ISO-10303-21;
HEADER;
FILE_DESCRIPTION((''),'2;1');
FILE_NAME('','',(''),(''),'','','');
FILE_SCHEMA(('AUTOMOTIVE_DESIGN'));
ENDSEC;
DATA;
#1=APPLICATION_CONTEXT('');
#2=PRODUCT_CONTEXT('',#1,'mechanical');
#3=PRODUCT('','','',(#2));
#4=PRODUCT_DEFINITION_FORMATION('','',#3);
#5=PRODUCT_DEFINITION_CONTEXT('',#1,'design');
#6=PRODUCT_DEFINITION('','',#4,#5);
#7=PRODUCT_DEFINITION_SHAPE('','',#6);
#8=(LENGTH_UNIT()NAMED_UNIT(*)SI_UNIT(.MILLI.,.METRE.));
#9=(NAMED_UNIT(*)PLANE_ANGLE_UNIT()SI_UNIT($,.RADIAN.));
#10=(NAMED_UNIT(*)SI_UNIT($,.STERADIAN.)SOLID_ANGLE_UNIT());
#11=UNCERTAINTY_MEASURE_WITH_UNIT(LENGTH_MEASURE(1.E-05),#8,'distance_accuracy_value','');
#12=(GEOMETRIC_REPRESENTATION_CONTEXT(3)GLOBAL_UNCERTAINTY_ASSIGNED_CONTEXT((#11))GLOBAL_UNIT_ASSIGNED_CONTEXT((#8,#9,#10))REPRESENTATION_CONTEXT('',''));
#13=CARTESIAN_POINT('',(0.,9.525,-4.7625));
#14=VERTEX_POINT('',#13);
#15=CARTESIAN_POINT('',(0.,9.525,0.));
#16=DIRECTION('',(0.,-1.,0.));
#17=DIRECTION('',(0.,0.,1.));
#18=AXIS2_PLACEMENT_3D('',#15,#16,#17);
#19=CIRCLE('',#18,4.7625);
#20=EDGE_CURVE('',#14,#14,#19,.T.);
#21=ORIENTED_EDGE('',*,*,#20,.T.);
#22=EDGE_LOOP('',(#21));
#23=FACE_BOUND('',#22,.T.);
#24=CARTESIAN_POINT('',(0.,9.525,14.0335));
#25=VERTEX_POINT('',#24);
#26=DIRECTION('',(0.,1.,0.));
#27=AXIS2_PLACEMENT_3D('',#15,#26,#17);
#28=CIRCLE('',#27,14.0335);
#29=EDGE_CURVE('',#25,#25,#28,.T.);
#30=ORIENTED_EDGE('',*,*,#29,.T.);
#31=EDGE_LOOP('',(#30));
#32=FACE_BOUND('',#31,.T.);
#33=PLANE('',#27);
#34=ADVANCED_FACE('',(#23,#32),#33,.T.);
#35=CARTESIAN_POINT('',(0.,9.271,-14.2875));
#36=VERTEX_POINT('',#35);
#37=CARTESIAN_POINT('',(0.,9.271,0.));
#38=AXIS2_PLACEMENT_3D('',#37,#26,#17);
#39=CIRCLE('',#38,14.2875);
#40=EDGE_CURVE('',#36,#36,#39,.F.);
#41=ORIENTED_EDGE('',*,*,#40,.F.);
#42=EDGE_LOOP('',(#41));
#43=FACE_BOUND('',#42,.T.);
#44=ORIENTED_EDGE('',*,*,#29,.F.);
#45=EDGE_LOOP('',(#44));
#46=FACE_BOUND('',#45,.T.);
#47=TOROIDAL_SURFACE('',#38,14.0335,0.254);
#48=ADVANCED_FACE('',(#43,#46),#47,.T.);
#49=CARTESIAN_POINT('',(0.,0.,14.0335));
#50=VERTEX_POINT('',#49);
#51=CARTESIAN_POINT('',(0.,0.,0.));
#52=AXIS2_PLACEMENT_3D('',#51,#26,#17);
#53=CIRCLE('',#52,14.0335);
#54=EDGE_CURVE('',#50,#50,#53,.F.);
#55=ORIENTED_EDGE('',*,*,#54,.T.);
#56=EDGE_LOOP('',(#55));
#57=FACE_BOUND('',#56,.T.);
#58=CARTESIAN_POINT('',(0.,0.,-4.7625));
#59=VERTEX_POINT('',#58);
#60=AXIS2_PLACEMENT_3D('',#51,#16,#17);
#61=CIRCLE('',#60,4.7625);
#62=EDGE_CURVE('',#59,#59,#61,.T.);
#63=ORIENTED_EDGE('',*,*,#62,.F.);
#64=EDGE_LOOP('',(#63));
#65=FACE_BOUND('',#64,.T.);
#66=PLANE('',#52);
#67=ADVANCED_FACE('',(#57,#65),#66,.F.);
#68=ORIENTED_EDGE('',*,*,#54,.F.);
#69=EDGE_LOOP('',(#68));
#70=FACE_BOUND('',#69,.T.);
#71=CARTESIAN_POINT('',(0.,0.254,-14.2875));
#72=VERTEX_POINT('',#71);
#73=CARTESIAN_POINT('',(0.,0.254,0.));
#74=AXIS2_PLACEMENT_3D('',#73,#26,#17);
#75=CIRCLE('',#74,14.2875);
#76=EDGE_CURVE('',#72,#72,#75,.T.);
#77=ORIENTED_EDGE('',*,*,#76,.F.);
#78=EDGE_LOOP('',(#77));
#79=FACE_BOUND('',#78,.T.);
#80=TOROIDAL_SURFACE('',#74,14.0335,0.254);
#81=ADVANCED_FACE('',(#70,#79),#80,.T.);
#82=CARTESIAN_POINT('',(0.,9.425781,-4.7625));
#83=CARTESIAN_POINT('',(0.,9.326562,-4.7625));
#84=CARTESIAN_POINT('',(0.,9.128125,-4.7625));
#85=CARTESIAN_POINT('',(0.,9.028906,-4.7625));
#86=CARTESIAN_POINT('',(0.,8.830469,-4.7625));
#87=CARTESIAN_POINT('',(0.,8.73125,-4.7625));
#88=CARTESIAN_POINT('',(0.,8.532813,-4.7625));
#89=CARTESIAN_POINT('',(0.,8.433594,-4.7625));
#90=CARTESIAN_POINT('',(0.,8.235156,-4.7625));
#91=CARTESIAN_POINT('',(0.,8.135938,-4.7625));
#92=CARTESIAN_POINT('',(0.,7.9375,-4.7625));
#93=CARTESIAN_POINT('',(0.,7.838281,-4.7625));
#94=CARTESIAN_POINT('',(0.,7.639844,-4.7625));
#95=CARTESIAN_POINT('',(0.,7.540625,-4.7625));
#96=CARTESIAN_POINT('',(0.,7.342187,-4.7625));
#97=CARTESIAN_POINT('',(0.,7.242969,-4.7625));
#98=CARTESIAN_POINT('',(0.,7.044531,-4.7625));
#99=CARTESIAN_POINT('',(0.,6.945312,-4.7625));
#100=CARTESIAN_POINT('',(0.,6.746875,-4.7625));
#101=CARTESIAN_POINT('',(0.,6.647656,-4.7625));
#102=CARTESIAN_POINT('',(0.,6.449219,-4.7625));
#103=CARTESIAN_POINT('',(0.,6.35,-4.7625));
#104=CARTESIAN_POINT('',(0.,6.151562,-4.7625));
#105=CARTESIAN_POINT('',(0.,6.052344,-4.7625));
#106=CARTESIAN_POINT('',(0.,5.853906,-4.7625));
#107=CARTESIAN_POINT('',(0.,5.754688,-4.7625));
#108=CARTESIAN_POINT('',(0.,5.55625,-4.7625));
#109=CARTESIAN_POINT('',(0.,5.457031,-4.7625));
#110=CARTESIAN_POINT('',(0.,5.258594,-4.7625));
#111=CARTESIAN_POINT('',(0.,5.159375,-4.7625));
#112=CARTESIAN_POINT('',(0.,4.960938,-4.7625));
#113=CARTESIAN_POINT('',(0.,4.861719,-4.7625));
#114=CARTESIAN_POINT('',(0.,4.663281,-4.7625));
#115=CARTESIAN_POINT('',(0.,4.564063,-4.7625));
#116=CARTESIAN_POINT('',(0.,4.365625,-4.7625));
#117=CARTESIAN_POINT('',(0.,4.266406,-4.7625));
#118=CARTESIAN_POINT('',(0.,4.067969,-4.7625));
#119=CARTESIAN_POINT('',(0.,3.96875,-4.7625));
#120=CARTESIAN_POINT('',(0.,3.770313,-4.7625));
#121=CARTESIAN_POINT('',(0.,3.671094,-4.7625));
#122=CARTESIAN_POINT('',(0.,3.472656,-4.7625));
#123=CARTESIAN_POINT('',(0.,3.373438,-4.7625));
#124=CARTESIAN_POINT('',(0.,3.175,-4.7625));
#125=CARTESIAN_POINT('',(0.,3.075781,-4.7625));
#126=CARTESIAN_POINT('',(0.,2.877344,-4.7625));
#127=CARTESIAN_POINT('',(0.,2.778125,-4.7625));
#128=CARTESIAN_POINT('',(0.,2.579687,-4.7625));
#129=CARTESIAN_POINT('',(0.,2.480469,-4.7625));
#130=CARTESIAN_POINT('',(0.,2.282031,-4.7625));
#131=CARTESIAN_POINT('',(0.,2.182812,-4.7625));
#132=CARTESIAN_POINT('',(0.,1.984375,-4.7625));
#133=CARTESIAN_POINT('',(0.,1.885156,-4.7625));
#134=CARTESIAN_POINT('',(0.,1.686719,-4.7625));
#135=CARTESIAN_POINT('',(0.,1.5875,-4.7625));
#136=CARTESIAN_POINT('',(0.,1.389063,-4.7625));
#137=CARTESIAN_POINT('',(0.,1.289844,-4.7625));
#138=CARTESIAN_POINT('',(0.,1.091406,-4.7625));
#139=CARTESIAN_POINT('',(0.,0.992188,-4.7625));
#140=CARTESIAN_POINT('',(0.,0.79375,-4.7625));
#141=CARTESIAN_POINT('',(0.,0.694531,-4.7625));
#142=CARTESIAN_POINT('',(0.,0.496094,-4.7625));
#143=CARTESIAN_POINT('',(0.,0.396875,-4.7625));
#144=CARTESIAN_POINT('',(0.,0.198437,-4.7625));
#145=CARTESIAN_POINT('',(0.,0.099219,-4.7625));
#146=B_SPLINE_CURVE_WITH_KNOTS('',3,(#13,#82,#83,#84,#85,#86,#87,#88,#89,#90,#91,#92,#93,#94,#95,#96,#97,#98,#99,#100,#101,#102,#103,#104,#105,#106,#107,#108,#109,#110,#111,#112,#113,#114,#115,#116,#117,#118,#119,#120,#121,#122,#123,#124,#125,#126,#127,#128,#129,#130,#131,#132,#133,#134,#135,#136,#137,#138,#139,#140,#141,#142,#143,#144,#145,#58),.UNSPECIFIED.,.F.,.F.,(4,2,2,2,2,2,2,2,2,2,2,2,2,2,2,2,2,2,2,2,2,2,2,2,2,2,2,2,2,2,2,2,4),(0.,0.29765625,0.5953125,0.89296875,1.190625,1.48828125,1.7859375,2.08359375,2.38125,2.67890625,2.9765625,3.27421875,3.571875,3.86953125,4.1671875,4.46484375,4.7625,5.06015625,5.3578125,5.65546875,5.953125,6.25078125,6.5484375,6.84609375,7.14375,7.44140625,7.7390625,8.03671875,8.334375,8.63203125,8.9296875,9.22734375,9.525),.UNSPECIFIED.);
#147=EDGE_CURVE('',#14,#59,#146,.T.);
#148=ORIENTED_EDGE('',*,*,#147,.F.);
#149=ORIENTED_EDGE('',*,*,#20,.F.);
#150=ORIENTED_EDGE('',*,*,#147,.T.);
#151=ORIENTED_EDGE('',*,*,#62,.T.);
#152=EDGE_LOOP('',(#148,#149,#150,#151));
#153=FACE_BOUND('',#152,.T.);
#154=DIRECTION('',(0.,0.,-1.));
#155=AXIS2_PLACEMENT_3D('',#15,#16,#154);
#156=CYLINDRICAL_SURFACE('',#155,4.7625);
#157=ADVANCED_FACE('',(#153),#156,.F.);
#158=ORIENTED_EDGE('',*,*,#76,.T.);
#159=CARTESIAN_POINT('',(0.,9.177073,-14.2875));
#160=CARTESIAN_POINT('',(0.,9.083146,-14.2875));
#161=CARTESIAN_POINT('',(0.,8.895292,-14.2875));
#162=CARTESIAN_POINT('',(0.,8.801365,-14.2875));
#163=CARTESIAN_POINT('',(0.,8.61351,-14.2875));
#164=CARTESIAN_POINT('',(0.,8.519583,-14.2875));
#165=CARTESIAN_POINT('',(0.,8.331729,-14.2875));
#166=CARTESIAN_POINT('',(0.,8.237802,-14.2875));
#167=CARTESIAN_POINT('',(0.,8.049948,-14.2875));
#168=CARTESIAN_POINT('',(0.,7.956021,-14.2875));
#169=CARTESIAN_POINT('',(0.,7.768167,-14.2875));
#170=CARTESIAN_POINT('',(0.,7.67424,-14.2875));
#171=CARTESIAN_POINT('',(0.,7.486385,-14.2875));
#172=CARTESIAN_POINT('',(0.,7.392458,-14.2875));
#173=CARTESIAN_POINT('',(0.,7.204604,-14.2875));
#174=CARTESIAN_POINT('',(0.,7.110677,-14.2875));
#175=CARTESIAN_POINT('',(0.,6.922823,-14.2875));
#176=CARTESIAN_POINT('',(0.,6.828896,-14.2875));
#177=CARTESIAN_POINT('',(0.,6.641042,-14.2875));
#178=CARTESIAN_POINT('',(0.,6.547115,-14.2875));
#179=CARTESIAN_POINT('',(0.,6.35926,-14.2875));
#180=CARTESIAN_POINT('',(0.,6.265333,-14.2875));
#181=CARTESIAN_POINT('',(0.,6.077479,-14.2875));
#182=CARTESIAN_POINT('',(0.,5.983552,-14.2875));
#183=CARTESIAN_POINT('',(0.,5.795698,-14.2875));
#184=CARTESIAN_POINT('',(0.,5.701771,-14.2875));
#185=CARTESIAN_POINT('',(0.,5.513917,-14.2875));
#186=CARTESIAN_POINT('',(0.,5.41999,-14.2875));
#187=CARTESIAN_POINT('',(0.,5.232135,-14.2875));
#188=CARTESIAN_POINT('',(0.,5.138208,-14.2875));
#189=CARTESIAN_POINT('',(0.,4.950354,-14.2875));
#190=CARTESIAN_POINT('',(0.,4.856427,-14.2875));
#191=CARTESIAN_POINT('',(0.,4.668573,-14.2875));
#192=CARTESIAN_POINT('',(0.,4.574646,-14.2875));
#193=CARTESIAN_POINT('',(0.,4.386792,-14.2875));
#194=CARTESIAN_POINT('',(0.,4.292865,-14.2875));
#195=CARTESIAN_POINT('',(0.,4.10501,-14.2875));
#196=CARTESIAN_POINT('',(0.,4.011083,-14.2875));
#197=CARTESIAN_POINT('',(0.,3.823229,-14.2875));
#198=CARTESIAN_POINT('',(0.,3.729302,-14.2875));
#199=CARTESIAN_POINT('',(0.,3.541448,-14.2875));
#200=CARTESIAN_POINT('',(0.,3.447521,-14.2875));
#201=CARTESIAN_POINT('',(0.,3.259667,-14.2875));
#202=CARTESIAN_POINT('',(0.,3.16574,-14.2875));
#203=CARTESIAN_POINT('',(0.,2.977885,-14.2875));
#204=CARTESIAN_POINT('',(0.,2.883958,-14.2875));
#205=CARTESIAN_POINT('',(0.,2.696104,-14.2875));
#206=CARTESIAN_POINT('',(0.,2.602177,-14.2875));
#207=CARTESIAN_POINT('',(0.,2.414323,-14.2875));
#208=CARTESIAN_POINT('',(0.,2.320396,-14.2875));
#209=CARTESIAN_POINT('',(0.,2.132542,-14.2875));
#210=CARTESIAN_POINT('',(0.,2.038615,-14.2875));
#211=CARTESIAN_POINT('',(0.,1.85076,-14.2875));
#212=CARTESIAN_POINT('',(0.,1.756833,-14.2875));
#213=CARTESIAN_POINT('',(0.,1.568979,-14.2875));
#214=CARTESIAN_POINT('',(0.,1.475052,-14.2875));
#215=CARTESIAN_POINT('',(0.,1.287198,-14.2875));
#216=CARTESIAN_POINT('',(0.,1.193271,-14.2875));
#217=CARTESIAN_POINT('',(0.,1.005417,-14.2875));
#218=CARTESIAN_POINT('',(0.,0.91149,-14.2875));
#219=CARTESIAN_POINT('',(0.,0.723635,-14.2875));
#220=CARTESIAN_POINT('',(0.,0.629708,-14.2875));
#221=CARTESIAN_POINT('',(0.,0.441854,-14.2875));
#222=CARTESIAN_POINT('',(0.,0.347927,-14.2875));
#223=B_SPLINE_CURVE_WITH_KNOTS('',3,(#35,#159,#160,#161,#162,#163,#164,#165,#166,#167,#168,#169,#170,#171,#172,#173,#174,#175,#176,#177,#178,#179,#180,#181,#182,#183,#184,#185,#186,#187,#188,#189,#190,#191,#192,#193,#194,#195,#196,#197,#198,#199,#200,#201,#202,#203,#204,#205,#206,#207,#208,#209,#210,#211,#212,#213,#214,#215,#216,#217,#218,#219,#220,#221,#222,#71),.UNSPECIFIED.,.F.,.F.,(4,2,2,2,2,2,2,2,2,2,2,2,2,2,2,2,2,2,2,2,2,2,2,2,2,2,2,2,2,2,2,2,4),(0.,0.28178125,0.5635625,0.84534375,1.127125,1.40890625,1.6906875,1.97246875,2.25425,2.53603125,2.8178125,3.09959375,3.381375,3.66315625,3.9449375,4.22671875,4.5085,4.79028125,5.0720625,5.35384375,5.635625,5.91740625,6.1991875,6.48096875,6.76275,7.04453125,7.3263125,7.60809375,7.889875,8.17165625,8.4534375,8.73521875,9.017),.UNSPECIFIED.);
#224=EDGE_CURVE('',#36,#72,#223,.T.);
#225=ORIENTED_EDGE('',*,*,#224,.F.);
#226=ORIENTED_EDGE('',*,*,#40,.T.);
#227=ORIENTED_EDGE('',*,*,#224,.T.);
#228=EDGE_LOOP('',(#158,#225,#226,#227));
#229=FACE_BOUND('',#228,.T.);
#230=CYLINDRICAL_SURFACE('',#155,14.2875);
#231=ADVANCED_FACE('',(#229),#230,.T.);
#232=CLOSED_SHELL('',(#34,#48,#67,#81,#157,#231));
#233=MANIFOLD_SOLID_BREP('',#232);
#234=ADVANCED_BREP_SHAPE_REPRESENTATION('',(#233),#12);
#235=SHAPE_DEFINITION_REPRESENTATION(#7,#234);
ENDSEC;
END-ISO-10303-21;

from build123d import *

# Parameters (mm, degrees)
SKETCH1_R           = 14.2875
SKETCH1_R_2         = 4.7625
BOSS_EXTRUDE1_DEPTH = 9.525
FILLET1_R           = 0.254


with BuildPart() as part:
    # Sketch1 → Boss-Extrude1 (new body)
    with BuildSketch(Plane.XZ):
        with Locations(Location((0, 0, 0), (0, 0, 270))):
            Circle(SKETCH1_R)
        with Locations(Location((0, 0, 0), (0, 0, 270))):
            Circle(SKETCH1_R_2, mode=Mode.SUBTRACT)
    extrude(amount=-BOSS_EXTRUDE1_DEPTH)

    # Fillet1
    fillet1_edges = [part.edges().sort_by_distance(p)[0] for p in [
        (0, 0, 14.2875),
        (0, 9.525, 14.2875),
    ]]
    fillet(fillet1_edges, radius=FILLET1_R)


solid = part.part
